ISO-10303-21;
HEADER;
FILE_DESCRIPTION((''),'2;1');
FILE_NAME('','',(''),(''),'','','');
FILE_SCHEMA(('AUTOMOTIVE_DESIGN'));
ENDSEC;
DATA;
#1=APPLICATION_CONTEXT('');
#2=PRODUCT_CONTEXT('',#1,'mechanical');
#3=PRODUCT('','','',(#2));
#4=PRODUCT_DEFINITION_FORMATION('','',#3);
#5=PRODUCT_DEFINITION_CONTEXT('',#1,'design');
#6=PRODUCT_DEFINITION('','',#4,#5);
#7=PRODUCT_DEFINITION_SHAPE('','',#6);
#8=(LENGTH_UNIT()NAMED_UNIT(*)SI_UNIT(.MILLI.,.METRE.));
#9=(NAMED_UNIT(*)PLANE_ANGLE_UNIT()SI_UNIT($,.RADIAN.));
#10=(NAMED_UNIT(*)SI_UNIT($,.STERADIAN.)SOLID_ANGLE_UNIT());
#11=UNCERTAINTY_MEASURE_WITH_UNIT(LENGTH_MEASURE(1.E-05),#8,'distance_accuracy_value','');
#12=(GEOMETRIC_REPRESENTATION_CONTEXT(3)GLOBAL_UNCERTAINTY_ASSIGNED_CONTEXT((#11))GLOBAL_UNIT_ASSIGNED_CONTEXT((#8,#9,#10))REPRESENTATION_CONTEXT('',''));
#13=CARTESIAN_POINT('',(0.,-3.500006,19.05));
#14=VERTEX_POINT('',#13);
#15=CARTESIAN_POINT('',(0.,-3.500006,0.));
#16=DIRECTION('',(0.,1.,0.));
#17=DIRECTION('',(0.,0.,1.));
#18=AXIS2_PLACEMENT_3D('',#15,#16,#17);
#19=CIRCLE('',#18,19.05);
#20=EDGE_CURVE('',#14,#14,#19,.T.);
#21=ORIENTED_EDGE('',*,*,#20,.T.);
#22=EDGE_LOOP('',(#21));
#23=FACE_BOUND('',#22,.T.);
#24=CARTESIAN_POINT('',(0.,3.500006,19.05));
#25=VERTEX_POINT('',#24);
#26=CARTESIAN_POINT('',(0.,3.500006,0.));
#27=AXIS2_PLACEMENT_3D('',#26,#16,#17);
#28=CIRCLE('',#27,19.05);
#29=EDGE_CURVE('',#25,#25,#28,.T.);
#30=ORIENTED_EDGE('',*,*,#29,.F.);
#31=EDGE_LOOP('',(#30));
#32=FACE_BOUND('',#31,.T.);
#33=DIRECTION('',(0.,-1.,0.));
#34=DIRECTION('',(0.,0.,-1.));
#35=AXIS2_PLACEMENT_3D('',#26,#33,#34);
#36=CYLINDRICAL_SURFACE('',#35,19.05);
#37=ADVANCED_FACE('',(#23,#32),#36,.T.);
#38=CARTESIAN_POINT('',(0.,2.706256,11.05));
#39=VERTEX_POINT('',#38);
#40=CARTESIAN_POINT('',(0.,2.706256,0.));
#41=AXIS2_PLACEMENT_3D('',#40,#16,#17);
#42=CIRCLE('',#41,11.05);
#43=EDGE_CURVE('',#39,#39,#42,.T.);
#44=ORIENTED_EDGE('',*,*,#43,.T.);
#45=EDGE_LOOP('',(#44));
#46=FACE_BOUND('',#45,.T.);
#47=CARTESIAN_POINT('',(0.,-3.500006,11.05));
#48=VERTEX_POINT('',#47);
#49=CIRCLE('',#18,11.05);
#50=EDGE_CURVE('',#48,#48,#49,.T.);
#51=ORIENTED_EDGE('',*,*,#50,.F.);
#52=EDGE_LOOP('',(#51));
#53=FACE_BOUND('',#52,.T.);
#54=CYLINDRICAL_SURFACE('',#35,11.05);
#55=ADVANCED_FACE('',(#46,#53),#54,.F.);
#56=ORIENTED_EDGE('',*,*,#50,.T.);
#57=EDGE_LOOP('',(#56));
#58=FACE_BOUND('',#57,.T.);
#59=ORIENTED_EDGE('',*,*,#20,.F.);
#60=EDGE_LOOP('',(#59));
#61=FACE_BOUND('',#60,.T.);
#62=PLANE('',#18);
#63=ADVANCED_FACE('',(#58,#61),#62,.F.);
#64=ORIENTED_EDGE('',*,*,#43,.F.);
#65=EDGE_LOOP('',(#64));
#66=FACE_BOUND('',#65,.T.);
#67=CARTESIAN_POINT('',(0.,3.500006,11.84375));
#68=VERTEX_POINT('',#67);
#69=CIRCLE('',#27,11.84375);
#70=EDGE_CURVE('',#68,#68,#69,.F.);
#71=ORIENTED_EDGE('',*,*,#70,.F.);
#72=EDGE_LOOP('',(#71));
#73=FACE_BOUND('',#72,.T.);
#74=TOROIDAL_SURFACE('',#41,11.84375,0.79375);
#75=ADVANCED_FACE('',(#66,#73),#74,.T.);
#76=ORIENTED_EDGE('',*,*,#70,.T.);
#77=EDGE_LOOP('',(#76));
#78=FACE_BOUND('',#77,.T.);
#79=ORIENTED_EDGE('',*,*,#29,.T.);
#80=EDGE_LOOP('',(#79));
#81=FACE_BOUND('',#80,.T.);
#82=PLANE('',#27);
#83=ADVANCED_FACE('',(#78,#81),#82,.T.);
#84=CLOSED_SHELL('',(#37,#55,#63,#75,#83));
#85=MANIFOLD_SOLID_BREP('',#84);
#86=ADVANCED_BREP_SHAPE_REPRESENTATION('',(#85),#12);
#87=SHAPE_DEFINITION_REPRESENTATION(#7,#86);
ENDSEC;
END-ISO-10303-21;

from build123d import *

# Parameters (mm, degrees)
SKETCH1_R           = 19.05
SKETCH1_R_2         = 11.05
BOSS_EXTRUDE1_DEPTH = 3.5000057
FILLET1_R           = 0.79375


with BuildPart() as part:
    # Sketch1 → Boss-Extrude1 (new body, symmetric)
    with BuildSketch(Plane(origin=(0, 0, 0), x_dir=(1, 0, 0), z_dir=(0, 1, 0))):
        Circle(SKETCH1_R)
        Circle(SKETCH1_R_2, mode=Mode.SUBTRACT)
    extrude(amount=BOSS_EXTRUDE1_DEPTH, both=True)

    # Fillet1
    fillet1_edges = [part.edges().sort_by_distance(p)[0] for p in [
        (-11.05, 3.5000057, 0),
    ]]
    fillet(fillet1_edges, radius=FILLET1_R)


solid = part.part
